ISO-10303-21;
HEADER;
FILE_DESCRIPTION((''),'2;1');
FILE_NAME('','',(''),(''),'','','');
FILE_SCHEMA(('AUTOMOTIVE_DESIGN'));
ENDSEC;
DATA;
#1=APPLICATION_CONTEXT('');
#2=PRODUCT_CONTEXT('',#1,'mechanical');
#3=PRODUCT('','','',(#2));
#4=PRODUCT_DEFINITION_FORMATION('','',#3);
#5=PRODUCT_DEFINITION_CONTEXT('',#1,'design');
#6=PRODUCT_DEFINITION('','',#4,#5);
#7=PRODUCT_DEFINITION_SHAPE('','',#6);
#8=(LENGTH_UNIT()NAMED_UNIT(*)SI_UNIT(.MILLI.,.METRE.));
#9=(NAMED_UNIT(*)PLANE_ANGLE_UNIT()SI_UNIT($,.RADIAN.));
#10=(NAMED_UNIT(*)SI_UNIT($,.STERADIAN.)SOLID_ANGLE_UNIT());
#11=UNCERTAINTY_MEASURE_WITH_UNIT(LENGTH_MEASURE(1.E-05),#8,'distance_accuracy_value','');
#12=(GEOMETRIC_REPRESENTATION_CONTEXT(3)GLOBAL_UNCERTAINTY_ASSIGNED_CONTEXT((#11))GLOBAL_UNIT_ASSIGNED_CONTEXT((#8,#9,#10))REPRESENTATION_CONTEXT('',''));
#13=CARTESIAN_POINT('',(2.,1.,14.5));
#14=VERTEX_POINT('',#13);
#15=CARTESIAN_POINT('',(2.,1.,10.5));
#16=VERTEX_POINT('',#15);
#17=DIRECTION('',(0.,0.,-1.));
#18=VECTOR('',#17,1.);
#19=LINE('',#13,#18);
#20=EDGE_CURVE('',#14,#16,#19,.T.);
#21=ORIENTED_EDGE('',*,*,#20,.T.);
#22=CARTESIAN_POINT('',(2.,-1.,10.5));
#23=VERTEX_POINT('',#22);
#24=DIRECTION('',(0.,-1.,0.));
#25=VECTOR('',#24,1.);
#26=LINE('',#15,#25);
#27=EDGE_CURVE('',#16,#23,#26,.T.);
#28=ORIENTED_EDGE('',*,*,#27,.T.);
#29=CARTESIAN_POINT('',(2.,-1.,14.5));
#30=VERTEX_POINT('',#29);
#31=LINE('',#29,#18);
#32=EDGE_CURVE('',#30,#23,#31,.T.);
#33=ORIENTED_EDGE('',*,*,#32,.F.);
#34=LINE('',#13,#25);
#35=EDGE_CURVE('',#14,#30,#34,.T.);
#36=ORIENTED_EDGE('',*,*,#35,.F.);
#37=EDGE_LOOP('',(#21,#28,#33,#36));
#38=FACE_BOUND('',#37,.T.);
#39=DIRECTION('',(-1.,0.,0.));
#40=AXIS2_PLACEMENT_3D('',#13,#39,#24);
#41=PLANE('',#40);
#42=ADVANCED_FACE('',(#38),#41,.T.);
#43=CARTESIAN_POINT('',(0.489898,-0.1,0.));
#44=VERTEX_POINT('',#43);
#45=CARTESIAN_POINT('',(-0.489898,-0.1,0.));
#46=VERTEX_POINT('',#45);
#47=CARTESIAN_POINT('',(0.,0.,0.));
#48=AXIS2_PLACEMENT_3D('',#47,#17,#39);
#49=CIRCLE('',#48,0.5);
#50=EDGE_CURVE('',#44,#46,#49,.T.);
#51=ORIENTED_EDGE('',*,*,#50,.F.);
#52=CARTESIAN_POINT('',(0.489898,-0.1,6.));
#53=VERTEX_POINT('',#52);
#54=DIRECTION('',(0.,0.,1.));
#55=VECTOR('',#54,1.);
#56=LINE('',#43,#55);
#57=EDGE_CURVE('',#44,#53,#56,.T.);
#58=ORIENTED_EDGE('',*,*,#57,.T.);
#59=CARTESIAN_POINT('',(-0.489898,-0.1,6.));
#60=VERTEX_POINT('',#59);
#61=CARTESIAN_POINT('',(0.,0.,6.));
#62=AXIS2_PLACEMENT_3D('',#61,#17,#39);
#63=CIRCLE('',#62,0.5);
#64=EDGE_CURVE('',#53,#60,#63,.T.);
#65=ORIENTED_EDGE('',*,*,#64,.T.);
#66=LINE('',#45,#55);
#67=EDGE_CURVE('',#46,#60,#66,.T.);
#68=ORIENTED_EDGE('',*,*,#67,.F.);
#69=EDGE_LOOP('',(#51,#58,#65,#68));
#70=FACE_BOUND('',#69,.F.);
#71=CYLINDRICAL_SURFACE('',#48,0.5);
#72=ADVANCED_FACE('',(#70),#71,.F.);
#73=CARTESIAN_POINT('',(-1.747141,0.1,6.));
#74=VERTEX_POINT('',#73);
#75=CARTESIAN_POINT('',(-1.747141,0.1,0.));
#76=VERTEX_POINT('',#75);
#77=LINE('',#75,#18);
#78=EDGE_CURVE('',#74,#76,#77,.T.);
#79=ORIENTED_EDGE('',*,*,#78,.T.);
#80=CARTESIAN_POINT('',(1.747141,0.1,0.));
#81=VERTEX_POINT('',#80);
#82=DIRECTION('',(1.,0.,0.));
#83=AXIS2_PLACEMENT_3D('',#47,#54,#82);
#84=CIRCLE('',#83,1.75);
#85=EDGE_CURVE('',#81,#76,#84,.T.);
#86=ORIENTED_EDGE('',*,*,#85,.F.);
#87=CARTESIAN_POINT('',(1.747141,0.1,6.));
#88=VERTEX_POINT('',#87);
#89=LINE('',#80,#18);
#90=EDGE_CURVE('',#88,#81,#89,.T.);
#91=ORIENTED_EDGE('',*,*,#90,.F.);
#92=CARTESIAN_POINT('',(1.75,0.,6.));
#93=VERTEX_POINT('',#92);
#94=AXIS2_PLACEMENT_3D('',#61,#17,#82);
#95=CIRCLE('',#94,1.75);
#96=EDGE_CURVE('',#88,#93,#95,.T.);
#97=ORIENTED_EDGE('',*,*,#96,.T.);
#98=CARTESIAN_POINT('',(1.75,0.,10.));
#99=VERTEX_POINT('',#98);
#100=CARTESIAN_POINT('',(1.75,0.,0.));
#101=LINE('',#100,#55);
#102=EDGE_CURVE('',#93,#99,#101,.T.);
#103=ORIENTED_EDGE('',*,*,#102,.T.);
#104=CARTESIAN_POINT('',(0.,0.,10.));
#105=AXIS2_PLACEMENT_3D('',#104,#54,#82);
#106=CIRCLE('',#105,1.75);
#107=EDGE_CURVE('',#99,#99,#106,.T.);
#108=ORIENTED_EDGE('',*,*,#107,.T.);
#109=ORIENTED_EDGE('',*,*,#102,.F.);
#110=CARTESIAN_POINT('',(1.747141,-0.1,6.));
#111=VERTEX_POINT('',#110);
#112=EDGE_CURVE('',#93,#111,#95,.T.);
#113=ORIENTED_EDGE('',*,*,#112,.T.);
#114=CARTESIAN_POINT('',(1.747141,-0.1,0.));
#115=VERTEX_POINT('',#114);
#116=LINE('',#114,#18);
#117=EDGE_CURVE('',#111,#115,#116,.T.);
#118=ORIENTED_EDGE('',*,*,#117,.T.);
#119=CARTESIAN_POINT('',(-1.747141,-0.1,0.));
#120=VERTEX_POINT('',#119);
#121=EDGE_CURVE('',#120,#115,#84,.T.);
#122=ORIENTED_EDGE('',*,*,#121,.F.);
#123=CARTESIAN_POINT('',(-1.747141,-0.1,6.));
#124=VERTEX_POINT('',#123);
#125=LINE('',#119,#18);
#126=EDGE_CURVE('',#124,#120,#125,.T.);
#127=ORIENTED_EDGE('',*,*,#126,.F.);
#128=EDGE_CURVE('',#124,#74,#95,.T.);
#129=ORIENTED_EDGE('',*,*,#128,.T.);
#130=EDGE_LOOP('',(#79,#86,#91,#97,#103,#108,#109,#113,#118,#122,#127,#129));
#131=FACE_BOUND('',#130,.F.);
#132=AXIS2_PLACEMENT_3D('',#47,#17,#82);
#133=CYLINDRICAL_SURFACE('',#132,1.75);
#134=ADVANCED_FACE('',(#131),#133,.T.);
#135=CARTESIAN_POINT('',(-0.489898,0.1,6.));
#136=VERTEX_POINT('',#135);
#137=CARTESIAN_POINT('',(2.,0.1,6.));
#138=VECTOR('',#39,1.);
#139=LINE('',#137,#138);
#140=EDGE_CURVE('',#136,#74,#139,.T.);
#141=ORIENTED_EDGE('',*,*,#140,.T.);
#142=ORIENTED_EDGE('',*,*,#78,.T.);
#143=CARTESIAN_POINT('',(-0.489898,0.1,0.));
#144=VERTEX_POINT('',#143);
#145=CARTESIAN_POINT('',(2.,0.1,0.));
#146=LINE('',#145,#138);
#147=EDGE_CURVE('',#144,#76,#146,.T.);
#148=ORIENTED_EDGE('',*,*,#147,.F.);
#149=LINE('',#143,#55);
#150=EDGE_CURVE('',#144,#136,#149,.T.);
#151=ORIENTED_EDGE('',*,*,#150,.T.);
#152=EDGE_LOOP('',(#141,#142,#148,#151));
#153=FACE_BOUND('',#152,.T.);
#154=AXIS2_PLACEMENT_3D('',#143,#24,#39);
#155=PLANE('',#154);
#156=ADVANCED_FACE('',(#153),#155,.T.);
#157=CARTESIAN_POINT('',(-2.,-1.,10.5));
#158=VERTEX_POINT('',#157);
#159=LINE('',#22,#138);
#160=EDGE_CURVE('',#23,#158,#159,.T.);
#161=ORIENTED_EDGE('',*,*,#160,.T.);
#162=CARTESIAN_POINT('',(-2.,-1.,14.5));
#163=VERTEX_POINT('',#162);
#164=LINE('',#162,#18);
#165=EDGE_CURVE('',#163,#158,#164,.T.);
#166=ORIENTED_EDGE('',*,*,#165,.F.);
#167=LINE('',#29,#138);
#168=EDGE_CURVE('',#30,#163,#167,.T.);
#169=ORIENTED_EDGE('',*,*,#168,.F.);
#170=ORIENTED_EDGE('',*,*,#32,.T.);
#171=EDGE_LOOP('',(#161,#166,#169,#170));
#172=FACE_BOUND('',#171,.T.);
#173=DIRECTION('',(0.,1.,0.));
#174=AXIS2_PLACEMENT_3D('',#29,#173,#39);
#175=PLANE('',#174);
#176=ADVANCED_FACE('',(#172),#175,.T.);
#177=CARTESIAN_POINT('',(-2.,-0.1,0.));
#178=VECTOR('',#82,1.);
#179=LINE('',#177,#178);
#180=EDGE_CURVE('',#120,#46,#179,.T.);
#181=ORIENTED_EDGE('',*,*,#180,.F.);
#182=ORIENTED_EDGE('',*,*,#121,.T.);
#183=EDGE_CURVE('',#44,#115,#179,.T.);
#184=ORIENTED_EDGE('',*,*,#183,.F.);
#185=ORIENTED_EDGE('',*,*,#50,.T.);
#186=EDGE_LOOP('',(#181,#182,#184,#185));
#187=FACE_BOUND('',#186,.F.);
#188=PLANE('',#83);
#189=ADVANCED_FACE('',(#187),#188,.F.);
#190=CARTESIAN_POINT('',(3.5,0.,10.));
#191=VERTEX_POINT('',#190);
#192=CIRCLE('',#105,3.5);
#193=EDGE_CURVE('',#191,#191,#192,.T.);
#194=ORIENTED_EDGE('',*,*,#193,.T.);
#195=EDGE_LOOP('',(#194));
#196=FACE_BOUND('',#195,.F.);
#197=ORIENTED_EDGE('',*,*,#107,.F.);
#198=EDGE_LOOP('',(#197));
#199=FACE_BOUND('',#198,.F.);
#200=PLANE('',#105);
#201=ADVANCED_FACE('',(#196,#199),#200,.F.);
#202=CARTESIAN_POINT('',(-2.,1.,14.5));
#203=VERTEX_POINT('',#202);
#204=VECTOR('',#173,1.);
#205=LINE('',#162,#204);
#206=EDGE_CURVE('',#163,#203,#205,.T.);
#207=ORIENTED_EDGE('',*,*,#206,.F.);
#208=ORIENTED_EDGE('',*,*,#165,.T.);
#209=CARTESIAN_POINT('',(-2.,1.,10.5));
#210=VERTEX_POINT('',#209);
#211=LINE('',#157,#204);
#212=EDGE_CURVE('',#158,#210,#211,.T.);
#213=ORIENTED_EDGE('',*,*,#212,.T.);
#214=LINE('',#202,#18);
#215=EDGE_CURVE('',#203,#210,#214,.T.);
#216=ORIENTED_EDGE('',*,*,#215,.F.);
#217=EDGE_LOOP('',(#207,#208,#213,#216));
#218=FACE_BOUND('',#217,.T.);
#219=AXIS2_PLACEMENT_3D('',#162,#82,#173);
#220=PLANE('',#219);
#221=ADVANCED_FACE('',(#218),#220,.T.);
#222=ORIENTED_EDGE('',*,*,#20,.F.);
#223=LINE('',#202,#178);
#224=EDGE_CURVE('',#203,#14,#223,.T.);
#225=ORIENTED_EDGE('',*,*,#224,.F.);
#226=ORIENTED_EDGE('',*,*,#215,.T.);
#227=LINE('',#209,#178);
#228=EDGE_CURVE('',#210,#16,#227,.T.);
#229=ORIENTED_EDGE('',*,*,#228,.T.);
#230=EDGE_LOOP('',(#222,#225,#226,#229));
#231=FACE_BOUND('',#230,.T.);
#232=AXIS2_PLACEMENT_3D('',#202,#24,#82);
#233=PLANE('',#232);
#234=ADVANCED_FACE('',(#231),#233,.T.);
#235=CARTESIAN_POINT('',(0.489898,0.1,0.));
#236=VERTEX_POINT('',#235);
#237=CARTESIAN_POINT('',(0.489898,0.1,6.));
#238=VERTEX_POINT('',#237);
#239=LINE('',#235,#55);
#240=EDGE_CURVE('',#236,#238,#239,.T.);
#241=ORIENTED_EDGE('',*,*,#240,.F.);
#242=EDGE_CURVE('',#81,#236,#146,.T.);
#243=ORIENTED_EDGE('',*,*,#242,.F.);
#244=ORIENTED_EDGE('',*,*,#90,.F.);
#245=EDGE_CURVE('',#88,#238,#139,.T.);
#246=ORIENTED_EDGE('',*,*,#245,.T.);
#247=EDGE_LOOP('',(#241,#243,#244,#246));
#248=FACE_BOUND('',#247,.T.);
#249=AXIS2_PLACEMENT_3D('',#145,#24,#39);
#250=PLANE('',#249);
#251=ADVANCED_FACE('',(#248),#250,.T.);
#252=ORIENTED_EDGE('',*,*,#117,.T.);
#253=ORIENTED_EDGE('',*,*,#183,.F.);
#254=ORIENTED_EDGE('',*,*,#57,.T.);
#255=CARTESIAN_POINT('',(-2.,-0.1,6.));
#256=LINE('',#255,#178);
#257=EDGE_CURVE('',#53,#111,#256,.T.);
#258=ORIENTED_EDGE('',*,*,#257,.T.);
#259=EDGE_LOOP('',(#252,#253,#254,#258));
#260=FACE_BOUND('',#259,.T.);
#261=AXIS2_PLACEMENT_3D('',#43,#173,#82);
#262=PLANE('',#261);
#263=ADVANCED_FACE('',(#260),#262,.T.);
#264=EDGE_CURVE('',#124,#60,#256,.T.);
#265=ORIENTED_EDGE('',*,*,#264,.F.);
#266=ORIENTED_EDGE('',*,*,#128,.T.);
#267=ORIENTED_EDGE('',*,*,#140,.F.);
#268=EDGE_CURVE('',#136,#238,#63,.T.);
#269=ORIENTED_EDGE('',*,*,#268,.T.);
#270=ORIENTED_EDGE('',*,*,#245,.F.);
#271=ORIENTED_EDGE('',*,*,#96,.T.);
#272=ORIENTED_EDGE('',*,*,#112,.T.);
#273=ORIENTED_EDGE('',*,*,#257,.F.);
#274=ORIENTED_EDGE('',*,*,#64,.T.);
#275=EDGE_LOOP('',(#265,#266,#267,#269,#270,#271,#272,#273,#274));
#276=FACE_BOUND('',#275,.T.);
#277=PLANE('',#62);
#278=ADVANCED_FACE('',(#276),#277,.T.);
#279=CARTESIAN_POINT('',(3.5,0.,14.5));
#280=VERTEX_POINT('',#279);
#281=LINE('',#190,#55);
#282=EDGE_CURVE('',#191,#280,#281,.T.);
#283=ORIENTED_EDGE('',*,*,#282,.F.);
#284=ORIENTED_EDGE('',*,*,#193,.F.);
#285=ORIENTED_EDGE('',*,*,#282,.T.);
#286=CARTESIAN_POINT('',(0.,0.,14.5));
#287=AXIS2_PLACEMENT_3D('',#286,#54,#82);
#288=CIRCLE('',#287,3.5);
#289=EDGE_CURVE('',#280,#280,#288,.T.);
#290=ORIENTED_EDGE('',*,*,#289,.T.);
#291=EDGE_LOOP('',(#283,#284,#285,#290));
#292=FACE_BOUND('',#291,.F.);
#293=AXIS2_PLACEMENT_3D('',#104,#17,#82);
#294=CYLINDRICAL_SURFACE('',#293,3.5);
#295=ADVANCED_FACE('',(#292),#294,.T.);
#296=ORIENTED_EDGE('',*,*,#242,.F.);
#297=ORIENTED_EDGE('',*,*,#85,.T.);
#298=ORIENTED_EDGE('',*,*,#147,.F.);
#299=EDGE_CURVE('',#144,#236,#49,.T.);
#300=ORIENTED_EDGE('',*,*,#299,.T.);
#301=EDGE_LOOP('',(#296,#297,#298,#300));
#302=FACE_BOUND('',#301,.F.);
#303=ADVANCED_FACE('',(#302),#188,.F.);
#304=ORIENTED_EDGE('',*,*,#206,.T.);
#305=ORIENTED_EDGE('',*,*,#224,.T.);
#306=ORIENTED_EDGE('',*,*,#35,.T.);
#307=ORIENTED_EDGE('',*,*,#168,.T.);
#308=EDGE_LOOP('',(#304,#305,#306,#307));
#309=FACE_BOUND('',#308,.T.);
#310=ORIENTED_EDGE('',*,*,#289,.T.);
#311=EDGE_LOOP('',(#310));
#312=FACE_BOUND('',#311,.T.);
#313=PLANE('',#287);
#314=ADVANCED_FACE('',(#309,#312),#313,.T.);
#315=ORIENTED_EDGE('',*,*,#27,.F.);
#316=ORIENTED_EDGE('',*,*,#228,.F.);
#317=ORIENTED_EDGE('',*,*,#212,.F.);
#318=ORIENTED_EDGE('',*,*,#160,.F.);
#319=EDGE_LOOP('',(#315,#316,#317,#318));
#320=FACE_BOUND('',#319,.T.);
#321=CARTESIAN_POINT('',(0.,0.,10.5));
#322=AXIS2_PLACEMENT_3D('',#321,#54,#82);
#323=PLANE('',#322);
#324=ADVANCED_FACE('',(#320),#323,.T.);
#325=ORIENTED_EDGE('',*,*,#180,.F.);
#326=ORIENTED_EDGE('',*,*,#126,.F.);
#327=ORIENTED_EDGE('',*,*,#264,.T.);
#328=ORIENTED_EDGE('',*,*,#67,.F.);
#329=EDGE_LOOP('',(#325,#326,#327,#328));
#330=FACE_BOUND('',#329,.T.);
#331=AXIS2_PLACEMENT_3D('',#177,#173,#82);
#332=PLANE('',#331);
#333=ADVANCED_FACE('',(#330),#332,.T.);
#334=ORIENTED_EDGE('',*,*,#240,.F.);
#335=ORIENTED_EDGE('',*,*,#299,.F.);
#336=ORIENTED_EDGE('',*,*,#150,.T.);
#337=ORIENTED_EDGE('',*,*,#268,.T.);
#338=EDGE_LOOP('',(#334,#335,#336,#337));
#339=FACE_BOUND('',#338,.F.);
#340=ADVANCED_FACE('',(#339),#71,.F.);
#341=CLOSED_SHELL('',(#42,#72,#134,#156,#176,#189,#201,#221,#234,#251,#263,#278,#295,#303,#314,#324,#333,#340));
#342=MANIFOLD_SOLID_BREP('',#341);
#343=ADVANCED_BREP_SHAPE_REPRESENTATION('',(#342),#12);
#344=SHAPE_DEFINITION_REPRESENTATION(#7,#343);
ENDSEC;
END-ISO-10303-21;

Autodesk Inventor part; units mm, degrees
ref_plane "YZ Plane" through (0, 0, 0) normal (1, 0, 0) x (0, 1, 0)
ref_plane "XZ Plane" through (0, 0, 0) normal (0, 1, 0) x (-1, 0, 0)
ref_plane "XY Plane" through (0, 0, 0) normal (0, 0, 1) x (1, 0, 0)
sketch "Sketch1" plane through (0, 0, 0) normal (0, 0, 1) x (1, 0, 0)
  circle A0 centre (0, 0) radius 1.75
  dimension "d0" = 3.5
extrude "Extrusion1" add sketch "Sketch1" along normal blind 10
sketch "Sketch2" plane through (0, 0, 10) normal (0, 0, 1) x (1, 0, 0)
  circle A0 centre (0, 0) radius 3.5
  dimension "d3" = 7
extrude "Extrusion2" add sketch "Sketch2" along normal blind 4.5
sketch "Sketch3" plane through (0, 0, 14.5) normal (0, 0, 1) x (1, 0, 0)
  line L0 (-2, 1) -> (2, 1)
  line L1 (2, 1) -> (2, -1)
  line L2 (2, -1) -> (-2, -1)
  line L3 (-2, -1) -> (-2, 1)
  point P0 (0, 0)
  point P1 (-2, 0)
  point P2 (0, 1)
  dimension "d6" = 4
  dimension "d7" = 2
extrude "Extrusion3" cut sketch "Sketch3" against normal blind 4
sketch "Sketch4" plane through (0, 0, 0) normal (0, 0, -1) x (-1, 0, 0)
  circle A0 centre (0, 0) radius 0.5
  line L0 (2, -0.1) -> (-2, -0.1)
  line L1 (-2, -0.1) -> (-2, 0.1)
  line L2 (-2, 0.1) -> (2, 0.1)
  line L3 (2, 0.1) -> (2, -0.1)
  point P0 (0, -0.1)
  point P1 (2, 0)
  point P2 (-0.4899, 0.1)
  point P3 (-0.4899, -0.1)
  point P4 (0.4899, -0.1)
  point P5 (0.4899, 0.1)
  dimension "d10" = 1
  dimension "d11" = 4
  dimension "d12" = 0.2
extrude "Extrusion4" cut sketch "Sketch4" against normal blind 6
properties part number "Magnethalter"
